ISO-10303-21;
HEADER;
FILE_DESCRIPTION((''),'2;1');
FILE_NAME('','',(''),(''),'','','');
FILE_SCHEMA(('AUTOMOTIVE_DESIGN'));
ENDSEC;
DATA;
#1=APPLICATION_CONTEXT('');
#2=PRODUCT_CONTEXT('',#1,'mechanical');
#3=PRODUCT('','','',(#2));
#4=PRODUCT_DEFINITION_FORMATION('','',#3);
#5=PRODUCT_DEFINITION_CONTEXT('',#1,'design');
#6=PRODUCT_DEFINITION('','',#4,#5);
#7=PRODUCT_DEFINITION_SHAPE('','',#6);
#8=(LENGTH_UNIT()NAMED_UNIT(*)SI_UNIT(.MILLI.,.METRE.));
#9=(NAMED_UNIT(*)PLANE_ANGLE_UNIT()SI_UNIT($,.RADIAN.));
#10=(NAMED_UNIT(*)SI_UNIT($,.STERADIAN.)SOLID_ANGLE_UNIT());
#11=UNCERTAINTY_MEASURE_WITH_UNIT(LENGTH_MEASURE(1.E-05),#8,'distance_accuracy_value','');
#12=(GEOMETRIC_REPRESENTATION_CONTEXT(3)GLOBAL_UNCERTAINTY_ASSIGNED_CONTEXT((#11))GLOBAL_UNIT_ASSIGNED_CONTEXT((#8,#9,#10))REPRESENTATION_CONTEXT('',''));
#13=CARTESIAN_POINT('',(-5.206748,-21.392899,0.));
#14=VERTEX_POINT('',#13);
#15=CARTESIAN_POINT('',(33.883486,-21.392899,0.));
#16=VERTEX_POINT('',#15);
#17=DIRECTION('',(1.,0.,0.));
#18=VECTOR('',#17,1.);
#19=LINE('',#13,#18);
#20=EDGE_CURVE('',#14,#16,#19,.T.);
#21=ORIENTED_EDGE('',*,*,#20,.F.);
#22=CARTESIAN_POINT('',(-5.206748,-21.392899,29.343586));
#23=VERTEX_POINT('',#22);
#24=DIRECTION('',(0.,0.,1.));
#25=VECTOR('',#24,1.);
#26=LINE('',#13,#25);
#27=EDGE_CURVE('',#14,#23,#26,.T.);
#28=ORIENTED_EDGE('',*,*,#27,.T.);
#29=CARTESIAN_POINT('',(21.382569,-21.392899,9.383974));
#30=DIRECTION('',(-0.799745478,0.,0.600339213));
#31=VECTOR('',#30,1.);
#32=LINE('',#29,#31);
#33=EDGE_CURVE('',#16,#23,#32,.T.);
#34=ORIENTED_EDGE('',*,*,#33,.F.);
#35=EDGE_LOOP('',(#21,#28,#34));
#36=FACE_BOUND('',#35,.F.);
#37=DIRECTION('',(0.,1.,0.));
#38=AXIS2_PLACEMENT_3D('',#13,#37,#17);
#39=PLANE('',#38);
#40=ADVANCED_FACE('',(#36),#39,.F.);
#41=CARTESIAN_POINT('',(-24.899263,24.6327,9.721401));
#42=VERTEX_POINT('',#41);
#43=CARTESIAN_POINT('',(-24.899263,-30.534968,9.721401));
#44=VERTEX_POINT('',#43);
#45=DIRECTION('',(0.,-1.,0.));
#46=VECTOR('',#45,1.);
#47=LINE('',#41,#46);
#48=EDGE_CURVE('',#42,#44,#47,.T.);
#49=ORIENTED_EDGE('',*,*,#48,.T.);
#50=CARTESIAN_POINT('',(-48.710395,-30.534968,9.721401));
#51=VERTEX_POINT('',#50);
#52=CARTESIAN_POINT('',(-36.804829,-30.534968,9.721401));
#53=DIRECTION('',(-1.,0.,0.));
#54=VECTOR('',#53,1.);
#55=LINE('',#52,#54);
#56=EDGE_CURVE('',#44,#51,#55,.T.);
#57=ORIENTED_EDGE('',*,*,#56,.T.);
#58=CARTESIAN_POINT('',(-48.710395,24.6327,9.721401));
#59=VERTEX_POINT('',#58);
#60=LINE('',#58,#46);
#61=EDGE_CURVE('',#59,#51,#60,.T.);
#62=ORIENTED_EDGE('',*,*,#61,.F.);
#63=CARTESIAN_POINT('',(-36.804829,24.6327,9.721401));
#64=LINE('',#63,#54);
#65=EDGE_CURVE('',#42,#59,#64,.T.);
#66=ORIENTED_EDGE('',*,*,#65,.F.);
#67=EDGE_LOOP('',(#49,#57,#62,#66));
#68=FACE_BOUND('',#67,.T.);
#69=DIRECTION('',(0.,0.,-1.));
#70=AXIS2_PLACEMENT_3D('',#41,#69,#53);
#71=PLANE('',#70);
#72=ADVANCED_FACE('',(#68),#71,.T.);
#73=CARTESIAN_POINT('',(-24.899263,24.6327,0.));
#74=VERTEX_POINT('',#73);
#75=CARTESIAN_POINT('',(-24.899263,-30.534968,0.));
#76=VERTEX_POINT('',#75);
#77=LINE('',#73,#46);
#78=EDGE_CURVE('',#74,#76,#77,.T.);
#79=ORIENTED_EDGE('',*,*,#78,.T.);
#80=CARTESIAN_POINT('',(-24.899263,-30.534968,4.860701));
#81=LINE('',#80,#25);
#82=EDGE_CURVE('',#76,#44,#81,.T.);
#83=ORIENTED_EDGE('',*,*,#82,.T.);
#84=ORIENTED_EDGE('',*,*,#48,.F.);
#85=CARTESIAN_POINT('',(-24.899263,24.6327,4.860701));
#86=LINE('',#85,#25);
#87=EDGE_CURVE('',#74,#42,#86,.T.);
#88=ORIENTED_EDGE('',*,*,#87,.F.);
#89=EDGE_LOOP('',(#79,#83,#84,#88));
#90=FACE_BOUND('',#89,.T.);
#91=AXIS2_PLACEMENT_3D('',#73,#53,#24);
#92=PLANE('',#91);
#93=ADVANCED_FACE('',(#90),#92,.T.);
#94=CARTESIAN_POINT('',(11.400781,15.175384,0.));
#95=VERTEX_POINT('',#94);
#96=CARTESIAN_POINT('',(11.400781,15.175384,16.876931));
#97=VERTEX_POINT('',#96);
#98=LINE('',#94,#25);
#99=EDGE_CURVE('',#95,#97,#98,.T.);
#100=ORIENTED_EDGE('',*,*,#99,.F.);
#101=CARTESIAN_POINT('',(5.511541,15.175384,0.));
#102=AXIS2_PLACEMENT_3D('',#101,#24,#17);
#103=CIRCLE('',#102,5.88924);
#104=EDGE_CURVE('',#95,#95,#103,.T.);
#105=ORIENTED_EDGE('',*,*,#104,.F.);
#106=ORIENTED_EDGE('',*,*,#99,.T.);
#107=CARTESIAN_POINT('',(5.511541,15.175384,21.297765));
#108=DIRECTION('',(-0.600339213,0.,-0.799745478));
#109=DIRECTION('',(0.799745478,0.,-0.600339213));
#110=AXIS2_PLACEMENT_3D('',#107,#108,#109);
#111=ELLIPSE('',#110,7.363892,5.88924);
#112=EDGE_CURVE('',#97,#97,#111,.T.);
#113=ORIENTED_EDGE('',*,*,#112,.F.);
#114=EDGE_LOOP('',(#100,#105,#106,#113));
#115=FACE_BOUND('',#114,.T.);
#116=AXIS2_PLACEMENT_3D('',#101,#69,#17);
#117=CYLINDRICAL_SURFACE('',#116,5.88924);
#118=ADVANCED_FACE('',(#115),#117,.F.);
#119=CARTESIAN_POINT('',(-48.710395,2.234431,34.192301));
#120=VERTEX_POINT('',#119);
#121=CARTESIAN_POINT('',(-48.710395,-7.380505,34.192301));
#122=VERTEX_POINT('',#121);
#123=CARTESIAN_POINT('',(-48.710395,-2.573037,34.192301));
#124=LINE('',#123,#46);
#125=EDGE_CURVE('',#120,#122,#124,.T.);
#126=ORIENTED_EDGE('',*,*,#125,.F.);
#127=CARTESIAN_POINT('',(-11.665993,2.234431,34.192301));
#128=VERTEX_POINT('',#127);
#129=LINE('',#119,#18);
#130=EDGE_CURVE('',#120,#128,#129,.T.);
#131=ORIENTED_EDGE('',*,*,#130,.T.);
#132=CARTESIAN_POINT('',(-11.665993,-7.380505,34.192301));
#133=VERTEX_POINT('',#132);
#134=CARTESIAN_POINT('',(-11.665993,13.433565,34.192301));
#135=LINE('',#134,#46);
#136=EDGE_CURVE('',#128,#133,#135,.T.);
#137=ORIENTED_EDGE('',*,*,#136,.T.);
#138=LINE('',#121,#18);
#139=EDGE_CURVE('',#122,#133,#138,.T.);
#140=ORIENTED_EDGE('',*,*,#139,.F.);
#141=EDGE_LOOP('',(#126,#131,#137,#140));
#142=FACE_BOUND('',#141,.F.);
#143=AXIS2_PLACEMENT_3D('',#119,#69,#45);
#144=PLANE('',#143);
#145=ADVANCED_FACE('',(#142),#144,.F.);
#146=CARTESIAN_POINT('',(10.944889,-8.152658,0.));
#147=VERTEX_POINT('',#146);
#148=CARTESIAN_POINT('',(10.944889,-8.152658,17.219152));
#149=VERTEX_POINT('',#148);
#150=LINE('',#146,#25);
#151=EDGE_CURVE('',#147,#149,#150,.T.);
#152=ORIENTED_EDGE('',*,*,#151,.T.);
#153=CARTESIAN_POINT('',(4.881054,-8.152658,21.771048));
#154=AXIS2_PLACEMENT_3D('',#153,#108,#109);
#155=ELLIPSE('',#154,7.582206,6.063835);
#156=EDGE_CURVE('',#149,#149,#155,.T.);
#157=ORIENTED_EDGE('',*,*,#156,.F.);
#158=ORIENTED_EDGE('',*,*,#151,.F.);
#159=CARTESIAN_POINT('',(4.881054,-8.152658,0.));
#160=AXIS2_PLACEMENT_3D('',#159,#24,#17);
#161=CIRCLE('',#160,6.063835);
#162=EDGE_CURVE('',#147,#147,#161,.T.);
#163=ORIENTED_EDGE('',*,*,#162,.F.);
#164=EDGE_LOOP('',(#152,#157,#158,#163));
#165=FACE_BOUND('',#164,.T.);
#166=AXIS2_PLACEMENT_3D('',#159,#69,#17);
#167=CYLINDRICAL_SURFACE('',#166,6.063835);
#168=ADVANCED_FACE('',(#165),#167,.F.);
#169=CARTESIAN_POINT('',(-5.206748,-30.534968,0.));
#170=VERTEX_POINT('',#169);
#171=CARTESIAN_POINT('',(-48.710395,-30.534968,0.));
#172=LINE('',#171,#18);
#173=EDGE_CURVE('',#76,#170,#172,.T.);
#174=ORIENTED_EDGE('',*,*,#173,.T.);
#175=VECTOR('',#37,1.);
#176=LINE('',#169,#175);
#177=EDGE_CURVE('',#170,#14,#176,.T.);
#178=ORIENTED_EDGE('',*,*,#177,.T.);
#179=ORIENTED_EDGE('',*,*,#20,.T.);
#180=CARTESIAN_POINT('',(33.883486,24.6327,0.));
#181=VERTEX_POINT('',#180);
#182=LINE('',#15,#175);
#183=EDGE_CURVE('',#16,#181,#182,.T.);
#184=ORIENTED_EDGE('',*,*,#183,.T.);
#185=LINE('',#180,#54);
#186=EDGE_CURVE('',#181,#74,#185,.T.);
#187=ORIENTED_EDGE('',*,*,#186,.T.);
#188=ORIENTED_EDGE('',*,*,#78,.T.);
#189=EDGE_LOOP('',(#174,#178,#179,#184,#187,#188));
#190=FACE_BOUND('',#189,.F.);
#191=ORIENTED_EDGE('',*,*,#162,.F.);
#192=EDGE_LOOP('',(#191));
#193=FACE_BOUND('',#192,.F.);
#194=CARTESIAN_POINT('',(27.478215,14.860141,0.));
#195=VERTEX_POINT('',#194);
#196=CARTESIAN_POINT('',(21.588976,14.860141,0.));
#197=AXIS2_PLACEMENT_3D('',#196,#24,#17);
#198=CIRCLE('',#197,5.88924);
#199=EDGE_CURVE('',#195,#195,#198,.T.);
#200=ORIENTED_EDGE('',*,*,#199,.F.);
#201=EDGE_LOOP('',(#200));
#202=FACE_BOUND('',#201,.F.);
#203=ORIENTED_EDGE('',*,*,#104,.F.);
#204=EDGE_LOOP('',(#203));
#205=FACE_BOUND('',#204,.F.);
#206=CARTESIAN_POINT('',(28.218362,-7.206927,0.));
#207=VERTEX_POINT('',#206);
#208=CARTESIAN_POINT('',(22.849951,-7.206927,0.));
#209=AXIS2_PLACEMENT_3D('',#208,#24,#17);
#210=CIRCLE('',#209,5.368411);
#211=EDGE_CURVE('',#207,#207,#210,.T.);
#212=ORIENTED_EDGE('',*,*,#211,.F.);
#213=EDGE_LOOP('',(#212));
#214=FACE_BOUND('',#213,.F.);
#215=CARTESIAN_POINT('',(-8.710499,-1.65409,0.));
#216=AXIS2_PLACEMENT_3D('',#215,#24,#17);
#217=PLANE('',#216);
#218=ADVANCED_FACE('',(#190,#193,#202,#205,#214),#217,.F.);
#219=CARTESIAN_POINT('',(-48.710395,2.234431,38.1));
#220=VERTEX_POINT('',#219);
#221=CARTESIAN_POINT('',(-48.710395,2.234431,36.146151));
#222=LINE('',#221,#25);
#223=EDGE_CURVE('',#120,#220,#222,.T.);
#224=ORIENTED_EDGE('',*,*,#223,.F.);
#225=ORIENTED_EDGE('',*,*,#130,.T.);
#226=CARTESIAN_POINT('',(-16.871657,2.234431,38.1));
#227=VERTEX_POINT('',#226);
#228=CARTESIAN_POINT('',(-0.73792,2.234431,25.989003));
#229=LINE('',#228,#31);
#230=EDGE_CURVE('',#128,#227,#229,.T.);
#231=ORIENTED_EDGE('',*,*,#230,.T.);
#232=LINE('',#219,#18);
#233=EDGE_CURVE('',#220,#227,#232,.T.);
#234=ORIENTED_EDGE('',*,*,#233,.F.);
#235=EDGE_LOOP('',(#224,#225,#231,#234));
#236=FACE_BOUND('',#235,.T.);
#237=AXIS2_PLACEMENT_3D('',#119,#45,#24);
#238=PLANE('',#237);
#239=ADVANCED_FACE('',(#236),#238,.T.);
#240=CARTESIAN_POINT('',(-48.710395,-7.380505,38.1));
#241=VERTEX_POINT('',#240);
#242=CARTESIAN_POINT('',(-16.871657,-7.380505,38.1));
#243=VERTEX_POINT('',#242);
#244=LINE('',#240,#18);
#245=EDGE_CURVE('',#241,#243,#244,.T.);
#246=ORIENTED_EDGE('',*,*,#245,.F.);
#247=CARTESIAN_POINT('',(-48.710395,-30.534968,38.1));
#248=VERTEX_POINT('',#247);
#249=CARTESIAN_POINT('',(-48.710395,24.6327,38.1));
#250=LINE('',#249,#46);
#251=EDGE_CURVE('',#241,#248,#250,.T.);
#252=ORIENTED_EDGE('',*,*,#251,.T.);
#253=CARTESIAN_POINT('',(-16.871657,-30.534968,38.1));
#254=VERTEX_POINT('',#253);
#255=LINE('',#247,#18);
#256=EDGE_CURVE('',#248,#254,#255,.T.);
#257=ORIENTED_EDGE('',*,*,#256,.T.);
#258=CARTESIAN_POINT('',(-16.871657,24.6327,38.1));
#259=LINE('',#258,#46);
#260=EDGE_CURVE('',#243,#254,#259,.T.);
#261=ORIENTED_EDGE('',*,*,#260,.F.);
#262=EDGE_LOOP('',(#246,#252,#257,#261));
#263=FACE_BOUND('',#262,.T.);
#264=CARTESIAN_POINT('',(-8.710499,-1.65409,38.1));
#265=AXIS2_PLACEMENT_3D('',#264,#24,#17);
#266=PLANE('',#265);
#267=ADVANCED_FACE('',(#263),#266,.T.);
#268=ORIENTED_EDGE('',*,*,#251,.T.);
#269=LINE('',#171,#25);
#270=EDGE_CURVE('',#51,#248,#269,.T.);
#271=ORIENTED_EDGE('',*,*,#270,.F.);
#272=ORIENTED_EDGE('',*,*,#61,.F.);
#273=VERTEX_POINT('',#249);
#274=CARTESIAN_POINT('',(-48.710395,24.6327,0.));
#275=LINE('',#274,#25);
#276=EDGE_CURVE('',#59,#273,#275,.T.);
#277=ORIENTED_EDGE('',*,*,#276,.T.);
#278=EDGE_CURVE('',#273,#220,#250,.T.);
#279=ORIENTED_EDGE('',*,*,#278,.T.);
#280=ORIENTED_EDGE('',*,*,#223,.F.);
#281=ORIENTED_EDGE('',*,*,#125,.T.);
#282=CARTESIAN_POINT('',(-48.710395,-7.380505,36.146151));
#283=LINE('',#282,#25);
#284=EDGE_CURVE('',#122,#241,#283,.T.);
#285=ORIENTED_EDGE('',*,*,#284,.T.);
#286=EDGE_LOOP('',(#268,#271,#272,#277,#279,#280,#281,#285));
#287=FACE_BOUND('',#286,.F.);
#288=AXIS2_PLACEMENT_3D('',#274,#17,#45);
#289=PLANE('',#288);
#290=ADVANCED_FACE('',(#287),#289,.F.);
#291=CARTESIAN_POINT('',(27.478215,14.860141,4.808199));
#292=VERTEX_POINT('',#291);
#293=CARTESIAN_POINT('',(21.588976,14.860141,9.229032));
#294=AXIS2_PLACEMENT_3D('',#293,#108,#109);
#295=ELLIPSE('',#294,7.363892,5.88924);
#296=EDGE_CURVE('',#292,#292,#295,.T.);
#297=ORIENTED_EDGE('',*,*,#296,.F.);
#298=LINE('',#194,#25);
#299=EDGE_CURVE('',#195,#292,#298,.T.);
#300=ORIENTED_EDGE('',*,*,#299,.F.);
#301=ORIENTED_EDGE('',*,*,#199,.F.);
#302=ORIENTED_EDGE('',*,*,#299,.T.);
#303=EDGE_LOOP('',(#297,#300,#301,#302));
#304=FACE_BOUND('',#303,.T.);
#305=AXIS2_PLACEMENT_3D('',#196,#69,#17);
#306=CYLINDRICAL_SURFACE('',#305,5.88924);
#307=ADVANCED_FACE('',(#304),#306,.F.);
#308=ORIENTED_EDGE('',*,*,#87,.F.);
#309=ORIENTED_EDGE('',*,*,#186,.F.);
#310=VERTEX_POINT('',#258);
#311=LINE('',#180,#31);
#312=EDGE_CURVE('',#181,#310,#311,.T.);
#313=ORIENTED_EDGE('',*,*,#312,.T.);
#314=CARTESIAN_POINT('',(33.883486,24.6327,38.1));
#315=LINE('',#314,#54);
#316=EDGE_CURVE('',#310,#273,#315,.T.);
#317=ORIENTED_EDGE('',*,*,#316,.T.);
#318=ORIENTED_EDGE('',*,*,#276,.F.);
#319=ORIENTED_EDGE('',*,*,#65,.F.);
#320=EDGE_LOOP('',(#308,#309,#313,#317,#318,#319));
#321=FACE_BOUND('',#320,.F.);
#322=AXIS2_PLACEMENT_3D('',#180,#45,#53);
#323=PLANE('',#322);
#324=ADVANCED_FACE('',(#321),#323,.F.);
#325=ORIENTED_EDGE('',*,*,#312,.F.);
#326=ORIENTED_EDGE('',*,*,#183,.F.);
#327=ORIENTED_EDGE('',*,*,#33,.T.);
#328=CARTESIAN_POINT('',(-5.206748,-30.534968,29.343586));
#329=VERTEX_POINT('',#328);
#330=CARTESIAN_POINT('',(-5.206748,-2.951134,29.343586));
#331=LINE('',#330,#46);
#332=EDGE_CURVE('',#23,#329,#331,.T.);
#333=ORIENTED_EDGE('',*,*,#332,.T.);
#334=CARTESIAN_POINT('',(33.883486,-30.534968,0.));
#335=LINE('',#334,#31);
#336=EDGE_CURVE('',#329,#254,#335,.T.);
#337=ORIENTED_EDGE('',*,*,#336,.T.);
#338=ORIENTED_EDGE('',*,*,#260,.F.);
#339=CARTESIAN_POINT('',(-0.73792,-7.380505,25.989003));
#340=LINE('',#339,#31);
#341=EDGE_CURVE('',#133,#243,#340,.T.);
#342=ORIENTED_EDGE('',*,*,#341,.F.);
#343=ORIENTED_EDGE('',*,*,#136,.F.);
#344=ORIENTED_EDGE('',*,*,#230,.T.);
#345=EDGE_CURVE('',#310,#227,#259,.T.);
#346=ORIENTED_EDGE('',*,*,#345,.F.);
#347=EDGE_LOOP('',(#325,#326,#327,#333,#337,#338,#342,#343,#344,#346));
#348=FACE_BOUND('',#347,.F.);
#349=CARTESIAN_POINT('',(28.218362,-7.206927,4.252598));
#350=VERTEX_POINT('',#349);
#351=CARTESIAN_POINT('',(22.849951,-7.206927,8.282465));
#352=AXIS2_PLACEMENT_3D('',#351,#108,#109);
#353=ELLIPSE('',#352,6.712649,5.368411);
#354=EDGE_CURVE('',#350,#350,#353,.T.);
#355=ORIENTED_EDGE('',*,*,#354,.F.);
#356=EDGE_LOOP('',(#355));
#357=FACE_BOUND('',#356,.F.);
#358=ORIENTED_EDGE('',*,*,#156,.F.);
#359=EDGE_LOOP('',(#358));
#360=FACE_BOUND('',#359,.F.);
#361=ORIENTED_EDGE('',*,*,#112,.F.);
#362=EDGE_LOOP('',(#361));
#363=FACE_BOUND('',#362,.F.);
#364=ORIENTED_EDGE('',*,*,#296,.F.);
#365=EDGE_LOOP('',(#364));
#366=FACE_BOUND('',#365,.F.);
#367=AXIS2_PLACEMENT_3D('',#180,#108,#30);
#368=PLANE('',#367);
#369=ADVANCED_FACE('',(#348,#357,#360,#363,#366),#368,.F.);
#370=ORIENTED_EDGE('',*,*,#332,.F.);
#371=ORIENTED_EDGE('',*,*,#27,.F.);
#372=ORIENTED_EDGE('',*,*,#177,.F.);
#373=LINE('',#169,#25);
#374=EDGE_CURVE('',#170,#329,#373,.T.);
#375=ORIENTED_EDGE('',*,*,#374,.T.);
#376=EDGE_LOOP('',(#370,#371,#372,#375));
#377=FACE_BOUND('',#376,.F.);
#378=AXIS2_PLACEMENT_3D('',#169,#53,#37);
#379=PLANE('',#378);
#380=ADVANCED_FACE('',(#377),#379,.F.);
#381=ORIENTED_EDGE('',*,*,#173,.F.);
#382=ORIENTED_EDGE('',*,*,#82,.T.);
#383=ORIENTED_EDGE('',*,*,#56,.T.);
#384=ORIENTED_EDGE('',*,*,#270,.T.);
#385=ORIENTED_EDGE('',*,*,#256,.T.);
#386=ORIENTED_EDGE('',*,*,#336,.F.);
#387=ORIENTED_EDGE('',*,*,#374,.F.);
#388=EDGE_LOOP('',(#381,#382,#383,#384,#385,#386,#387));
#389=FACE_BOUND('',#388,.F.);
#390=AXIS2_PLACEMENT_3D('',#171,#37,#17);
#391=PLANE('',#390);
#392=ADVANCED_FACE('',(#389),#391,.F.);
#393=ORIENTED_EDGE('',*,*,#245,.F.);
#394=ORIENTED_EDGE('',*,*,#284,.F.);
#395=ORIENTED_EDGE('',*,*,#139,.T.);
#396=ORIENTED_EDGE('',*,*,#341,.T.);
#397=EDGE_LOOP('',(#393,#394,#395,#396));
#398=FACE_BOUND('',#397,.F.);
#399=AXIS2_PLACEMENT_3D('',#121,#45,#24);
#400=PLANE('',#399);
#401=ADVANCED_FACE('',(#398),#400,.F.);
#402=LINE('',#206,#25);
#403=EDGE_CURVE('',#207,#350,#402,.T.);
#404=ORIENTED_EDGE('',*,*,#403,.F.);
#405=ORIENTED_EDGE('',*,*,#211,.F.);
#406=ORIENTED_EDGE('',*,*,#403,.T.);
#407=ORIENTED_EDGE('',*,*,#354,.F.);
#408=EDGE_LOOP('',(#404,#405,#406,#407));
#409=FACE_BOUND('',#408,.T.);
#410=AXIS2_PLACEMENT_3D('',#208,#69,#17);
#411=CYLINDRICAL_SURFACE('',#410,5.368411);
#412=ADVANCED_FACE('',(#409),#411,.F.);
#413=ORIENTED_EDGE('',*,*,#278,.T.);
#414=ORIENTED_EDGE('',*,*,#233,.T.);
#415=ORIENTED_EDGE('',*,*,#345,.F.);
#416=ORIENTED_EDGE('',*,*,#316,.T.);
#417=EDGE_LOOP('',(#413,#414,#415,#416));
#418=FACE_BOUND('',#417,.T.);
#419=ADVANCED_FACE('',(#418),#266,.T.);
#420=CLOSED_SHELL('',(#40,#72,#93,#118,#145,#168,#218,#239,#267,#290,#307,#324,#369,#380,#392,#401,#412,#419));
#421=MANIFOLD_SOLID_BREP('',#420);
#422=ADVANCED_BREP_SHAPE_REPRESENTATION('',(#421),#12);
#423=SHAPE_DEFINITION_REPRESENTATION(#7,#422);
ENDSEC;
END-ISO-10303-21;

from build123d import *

# Parameters (mm, degrees)
F0_R     = 6.0638349588
F0_R_2   = 5.3684107219
F0_R_3   = 5.8892395432
F1_DEPTH = 38.1
F2_W     = 23.8111317158
F2_H     = 9.7214011475
F3_DEPTH = 55.1676675677
F4_W     = 9.6149358433
F4_H     = 3.907698667
F5_DEPTH = 82.5948805938


with BuildPart() as f1:
    # F0 (on Top) → F1 (new body)
    with BuildSketch(Plane.XY):
        Polygon((33.8834859431, 24.6326997876), (-48.7103946507, 24.6326997876), (-48.7103946507, -30.5349677801), (-5.2067479119, -30.5349677801), (-5.2067479119, -21.3928986341), (33.8834859431, -21.3928986341), align=None)
        with Locations((4.881054163, -8.1526581198)):
            Circle(F0_R, mode=Mode.SUBTRACT)
        with Locations((22.8499509394, -7.206926588)):
            Circle(F0_R_2, mode=Mode.SUBTRACT)
        with Locations((5.5115413852, 15.1753844693)):
            Circle(F0_R_3, mode=Mode.SUBTRACT)
        with Locations((21.5889755636, 14.860141091)):
            Circle(F0_R_3, mode=Mode.SUBTRACT)
    extrude(amount=F1_DEPTH)

    # F2 (on face) → F3 (cut, through all)
    with BuildSketch(Plane(origin=(0, 24.6326997876, 0), x_dir=(-1, 0, 0), z_dir=(0, 1, 0))):
        Polygon((-33.8834859431, 0), (16.8716572225, 38.1), (-33.8834859431, 38.1), align=None)
        with Locations((36.8048287928, 4.8607005738)):
            Rectangle(F2_W, F2_H)
    extrude(amount=-F3_DEPTH, mode=Mode.SUBTRACT)

    # F4 (on face) → F5 (cut, through all)
    with BuildSketch(Plane(origin=(-48.7103946507, 0, 0), x_dir=(0, -1, 0), z_dir=(-1, 0, 0))):
        with Locations((2.5730371708, 36.1461506665)):
            Rectangle(F4_W, F4_H)
    extrude(amount=-F5_DEPTH, mode=Mode.SUBTRACT)


solid = f1.part
